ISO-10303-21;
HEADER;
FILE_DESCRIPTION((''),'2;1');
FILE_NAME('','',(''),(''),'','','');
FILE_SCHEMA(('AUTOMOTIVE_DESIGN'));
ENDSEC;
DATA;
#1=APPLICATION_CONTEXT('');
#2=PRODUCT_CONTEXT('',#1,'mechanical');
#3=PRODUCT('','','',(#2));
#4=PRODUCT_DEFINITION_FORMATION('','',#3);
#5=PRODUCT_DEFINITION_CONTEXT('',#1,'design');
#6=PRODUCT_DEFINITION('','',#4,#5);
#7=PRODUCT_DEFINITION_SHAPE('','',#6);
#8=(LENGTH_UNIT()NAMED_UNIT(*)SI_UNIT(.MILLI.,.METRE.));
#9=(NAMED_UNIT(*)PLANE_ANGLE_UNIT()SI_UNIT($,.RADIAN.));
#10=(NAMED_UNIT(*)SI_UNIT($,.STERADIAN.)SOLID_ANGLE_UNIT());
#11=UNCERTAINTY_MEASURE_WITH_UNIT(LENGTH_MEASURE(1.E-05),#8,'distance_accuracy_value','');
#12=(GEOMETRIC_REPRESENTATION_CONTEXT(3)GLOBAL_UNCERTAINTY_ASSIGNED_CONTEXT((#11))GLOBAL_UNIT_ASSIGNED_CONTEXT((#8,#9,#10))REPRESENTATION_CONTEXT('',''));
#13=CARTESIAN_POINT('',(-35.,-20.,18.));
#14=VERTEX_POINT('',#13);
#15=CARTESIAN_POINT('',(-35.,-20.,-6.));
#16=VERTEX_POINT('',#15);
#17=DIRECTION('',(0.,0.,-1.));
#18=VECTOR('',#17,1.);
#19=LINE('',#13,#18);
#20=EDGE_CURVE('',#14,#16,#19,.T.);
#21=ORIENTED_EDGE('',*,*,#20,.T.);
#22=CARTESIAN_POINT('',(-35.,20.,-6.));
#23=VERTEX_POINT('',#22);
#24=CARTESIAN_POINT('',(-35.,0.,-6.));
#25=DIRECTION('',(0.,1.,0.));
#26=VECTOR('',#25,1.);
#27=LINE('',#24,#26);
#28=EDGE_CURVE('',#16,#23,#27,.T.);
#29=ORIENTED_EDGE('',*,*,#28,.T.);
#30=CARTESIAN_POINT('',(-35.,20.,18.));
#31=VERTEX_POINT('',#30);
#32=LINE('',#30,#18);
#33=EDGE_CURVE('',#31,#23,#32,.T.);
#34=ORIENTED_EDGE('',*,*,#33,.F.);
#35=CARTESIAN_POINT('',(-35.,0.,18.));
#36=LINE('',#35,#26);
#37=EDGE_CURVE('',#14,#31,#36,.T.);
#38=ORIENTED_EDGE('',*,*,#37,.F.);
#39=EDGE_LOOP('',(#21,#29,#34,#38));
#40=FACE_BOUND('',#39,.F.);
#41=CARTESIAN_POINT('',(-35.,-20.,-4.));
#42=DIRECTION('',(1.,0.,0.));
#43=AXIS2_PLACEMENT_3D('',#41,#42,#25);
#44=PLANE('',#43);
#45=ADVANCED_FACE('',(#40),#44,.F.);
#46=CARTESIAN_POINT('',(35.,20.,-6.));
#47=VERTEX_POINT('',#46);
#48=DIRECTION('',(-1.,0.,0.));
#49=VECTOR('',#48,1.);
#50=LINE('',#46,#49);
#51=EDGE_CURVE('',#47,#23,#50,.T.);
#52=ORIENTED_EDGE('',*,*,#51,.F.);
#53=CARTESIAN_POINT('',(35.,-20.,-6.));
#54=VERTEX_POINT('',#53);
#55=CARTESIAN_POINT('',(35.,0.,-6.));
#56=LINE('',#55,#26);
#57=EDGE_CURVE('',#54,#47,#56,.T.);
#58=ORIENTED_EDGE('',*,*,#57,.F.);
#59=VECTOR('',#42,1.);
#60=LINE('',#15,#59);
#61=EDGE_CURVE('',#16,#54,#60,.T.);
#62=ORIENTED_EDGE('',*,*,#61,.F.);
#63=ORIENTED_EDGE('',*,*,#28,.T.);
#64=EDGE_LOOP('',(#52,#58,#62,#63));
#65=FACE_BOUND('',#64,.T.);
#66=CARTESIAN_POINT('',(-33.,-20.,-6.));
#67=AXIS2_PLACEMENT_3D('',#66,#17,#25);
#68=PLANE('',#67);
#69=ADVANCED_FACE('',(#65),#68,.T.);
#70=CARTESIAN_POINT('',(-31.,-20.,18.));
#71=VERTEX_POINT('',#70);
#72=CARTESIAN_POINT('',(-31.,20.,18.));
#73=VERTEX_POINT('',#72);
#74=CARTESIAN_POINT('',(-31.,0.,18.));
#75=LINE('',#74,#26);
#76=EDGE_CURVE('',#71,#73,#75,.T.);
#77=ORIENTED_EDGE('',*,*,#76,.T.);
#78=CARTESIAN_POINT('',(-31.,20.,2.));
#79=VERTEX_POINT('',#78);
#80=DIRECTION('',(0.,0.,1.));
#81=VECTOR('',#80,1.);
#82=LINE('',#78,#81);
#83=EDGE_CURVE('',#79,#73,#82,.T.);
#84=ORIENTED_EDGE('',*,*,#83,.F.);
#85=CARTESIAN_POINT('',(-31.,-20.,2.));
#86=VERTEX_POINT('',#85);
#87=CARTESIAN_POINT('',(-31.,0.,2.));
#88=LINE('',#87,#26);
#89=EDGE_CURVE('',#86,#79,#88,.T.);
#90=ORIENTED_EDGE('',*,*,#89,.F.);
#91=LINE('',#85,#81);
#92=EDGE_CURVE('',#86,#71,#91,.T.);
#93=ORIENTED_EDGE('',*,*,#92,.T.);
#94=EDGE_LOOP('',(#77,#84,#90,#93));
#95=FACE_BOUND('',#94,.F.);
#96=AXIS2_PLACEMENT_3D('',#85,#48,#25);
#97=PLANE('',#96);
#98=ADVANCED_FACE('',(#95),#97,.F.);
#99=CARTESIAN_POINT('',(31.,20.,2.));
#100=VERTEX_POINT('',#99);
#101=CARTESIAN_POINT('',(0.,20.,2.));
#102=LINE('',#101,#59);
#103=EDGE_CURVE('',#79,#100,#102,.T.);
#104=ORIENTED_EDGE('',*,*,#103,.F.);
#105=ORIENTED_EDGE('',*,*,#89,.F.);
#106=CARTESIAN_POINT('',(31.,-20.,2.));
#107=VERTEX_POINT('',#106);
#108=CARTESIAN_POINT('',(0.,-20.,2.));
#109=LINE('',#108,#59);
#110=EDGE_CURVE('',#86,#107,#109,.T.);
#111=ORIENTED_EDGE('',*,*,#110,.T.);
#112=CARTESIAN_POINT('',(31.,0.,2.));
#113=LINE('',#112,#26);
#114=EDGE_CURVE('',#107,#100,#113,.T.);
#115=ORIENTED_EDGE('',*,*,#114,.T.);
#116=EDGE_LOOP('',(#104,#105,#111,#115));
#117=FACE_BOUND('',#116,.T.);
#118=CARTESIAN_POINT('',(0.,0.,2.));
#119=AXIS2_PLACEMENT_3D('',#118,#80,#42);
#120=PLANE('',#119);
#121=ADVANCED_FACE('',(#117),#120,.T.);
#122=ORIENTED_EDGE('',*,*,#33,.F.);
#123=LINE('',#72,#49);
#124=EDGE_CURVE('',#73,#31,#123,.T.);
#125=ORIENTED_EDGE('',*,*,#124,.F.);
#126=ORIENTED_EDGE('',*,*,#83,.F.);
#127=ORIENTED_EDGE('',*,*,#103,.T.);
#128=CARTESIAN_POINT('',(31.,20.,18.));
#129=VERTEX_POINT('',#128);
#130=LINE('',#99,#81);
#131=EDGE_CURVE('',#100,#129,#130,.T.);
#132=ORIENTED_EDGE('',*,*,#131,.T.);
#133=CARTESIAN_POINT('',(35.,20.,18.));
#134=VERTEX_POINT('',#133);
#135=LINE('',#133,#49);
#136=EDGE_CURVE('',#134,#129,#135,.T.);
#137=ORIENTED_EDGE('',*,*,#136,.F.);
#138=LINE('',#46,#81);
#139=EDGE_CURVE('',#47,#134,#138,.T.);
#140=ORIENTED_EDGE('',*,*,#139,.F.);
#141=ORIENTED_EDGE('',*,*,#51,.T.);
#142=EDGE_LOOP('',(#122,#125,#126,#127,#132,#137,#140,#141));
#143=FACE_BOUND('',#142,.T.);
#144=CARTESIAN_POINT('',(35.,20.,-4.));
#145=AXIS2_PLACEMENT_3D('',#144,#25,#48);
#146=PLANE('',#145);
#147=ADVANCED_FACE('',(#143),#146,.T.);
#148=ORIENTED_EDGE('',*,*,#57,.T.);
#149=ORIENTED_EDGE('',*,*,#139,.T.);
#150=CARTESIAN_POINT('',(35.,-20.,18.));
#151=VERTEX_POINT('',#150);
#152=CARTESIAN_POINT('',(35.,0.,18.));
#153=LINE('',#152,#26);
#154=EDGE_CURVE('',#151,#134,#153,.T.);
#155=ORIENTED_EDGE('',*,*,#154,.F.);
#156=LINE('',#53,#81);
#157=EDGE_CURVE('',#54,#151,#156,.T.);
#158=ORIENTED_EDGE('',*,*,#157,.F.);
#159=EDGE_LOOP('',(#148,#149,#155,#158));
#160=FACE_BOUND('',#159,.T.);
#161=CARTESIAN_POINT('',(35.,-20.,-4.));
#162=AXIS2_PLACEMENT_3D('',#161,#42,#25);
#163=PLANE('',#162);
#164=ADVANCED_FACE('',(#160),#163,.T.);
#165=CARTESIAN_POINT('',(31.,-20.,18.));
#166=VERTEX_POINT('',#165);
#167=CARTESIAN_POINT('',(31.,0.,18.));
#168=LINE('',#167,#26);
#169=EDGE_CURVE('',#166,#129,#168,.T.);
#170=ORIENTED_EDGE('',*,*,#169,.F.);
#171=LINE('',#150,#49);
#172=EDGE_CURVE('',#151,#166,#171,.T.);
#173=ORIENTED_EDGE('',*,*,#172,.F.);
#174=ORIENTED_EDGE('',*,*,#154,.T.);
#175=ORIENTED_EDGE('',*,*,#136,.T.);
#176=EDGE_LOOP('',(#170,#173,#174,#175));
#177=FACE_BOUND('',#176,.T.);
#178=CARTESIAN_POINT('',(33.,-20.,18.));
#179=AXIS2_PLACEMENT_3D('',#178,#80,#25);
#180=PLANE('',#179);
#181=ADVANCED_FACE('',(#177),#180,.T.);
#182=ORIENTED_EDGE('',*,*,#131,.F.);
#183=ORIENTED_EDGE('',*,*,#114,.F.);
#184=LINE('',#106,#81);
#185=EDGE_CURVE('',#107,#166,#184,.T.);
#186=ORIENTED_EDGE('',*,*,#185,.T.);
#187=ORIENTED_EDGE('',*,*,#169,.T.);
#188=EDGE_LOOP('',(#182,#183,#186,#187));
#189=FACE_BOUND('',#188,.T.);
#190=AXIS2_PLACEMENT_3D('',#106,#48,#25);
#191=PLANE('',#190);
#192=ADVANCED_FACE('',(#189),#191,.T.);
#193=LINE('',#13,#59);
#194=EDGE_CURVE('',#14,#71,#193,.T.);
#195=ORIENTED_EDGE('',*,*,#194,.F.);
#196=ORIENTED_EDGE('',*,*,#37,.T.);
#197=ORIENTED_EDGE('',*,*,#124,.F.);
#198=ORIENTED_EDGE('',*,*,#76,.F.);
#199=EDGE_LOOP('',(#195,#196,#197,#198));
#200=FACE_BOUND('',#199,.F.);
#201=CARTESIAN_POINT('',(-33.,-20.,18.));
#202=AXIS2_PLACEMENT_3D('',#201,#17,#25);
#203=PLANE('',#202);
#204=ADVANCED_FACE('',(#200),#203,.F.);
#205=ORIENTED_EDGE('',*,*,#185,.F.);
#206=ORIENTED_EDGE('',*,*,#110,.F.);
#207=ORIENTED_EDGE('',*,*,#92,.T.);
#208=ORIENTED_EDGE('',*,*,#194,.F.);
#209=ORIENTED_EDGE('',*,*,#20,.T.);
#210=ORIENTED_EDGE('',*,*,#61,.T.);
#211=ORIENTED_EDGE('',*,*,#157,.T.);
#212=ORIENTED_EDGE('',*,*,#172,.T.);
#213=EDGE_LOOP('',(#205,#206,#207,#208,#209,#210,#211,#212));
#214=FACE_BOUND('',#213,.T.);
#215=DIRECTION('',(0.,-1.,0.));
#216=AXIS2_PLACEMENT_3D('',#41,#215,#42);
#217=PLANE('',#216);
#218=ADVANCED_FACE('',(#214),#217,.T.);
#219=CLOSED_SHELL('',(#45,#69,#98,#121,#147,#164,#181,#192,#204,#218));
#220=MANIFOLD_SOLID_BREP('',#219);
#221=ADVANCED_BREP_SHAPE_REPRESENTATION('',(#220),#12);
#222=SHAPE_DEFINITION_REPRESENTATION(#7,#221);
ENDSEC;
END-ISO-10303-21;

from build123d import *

# Parameters (mm, degrees)
F0_W     = 66
F0_H     = 40
F1_DEPTH = 2
F2_DEPTH = 2
F3_W     = 2
F3_H     = 40
F4_DEPTH = 16
F5_DEPTH = 2
F6_DEPTH = 2
F7_DEPTH = 4
F8_DEPTH = 2


with BuildPart() as f1:
    # F0 (on Top) → F1 (new body)
    with BuildSketch(Plane.XY):
        Rectangle(F0_W, F0_H)
    extrude(amount=F1_DEPTH)

    # F0 (on Top) → F2 (join)
    with BuildSketch(Plane.XY):
        Rectangle(F0_W, F0_H)
    extrude(amount=F2_DEPTH)

    # F3 (on face) → F4 (join)
    with BuildSketch(Plane.XY.offset(2)):
        with Locations((-32, 0)):
            Rectangle(F3_W, F3_H)
        with Locations((32, 0)):
            Rectangle(F3_W, F3_H)
    extrude(amount=F4_DEPTH)

    # F5 (add): a face of the model
    f5_faces = [f1.faces().sort_by_distance(p)[0] for p in [
        (33, 0, 9),
    ]]
    extrude(f5_faces, amount=F5_DEPTH)

    # F6 (add): a face of the model
    f6_faces = [f1.faces().sort_by_distance(p)[0] for p in [
        (-33, 0, 9),
    ]]
    extrude(f6_faces, amount=F6_DEPTH)

    # F7 (add): a face of the model
    f7_faces = [f1.faces().sort_by_distance(p)[0] for p in [
        (0, 0, 0),
    ]]
    extrude(f7_faces, amount=F7_DEPTH)

    # F8 (add): a face of the model
    f8_faces = [f1.faces().sort_by_distance(p)[0] for p in [
        (0, 0, -4),
    ]]
    extrude(f8_faces, amount=F8_DEPTH)


solid = f1.part
